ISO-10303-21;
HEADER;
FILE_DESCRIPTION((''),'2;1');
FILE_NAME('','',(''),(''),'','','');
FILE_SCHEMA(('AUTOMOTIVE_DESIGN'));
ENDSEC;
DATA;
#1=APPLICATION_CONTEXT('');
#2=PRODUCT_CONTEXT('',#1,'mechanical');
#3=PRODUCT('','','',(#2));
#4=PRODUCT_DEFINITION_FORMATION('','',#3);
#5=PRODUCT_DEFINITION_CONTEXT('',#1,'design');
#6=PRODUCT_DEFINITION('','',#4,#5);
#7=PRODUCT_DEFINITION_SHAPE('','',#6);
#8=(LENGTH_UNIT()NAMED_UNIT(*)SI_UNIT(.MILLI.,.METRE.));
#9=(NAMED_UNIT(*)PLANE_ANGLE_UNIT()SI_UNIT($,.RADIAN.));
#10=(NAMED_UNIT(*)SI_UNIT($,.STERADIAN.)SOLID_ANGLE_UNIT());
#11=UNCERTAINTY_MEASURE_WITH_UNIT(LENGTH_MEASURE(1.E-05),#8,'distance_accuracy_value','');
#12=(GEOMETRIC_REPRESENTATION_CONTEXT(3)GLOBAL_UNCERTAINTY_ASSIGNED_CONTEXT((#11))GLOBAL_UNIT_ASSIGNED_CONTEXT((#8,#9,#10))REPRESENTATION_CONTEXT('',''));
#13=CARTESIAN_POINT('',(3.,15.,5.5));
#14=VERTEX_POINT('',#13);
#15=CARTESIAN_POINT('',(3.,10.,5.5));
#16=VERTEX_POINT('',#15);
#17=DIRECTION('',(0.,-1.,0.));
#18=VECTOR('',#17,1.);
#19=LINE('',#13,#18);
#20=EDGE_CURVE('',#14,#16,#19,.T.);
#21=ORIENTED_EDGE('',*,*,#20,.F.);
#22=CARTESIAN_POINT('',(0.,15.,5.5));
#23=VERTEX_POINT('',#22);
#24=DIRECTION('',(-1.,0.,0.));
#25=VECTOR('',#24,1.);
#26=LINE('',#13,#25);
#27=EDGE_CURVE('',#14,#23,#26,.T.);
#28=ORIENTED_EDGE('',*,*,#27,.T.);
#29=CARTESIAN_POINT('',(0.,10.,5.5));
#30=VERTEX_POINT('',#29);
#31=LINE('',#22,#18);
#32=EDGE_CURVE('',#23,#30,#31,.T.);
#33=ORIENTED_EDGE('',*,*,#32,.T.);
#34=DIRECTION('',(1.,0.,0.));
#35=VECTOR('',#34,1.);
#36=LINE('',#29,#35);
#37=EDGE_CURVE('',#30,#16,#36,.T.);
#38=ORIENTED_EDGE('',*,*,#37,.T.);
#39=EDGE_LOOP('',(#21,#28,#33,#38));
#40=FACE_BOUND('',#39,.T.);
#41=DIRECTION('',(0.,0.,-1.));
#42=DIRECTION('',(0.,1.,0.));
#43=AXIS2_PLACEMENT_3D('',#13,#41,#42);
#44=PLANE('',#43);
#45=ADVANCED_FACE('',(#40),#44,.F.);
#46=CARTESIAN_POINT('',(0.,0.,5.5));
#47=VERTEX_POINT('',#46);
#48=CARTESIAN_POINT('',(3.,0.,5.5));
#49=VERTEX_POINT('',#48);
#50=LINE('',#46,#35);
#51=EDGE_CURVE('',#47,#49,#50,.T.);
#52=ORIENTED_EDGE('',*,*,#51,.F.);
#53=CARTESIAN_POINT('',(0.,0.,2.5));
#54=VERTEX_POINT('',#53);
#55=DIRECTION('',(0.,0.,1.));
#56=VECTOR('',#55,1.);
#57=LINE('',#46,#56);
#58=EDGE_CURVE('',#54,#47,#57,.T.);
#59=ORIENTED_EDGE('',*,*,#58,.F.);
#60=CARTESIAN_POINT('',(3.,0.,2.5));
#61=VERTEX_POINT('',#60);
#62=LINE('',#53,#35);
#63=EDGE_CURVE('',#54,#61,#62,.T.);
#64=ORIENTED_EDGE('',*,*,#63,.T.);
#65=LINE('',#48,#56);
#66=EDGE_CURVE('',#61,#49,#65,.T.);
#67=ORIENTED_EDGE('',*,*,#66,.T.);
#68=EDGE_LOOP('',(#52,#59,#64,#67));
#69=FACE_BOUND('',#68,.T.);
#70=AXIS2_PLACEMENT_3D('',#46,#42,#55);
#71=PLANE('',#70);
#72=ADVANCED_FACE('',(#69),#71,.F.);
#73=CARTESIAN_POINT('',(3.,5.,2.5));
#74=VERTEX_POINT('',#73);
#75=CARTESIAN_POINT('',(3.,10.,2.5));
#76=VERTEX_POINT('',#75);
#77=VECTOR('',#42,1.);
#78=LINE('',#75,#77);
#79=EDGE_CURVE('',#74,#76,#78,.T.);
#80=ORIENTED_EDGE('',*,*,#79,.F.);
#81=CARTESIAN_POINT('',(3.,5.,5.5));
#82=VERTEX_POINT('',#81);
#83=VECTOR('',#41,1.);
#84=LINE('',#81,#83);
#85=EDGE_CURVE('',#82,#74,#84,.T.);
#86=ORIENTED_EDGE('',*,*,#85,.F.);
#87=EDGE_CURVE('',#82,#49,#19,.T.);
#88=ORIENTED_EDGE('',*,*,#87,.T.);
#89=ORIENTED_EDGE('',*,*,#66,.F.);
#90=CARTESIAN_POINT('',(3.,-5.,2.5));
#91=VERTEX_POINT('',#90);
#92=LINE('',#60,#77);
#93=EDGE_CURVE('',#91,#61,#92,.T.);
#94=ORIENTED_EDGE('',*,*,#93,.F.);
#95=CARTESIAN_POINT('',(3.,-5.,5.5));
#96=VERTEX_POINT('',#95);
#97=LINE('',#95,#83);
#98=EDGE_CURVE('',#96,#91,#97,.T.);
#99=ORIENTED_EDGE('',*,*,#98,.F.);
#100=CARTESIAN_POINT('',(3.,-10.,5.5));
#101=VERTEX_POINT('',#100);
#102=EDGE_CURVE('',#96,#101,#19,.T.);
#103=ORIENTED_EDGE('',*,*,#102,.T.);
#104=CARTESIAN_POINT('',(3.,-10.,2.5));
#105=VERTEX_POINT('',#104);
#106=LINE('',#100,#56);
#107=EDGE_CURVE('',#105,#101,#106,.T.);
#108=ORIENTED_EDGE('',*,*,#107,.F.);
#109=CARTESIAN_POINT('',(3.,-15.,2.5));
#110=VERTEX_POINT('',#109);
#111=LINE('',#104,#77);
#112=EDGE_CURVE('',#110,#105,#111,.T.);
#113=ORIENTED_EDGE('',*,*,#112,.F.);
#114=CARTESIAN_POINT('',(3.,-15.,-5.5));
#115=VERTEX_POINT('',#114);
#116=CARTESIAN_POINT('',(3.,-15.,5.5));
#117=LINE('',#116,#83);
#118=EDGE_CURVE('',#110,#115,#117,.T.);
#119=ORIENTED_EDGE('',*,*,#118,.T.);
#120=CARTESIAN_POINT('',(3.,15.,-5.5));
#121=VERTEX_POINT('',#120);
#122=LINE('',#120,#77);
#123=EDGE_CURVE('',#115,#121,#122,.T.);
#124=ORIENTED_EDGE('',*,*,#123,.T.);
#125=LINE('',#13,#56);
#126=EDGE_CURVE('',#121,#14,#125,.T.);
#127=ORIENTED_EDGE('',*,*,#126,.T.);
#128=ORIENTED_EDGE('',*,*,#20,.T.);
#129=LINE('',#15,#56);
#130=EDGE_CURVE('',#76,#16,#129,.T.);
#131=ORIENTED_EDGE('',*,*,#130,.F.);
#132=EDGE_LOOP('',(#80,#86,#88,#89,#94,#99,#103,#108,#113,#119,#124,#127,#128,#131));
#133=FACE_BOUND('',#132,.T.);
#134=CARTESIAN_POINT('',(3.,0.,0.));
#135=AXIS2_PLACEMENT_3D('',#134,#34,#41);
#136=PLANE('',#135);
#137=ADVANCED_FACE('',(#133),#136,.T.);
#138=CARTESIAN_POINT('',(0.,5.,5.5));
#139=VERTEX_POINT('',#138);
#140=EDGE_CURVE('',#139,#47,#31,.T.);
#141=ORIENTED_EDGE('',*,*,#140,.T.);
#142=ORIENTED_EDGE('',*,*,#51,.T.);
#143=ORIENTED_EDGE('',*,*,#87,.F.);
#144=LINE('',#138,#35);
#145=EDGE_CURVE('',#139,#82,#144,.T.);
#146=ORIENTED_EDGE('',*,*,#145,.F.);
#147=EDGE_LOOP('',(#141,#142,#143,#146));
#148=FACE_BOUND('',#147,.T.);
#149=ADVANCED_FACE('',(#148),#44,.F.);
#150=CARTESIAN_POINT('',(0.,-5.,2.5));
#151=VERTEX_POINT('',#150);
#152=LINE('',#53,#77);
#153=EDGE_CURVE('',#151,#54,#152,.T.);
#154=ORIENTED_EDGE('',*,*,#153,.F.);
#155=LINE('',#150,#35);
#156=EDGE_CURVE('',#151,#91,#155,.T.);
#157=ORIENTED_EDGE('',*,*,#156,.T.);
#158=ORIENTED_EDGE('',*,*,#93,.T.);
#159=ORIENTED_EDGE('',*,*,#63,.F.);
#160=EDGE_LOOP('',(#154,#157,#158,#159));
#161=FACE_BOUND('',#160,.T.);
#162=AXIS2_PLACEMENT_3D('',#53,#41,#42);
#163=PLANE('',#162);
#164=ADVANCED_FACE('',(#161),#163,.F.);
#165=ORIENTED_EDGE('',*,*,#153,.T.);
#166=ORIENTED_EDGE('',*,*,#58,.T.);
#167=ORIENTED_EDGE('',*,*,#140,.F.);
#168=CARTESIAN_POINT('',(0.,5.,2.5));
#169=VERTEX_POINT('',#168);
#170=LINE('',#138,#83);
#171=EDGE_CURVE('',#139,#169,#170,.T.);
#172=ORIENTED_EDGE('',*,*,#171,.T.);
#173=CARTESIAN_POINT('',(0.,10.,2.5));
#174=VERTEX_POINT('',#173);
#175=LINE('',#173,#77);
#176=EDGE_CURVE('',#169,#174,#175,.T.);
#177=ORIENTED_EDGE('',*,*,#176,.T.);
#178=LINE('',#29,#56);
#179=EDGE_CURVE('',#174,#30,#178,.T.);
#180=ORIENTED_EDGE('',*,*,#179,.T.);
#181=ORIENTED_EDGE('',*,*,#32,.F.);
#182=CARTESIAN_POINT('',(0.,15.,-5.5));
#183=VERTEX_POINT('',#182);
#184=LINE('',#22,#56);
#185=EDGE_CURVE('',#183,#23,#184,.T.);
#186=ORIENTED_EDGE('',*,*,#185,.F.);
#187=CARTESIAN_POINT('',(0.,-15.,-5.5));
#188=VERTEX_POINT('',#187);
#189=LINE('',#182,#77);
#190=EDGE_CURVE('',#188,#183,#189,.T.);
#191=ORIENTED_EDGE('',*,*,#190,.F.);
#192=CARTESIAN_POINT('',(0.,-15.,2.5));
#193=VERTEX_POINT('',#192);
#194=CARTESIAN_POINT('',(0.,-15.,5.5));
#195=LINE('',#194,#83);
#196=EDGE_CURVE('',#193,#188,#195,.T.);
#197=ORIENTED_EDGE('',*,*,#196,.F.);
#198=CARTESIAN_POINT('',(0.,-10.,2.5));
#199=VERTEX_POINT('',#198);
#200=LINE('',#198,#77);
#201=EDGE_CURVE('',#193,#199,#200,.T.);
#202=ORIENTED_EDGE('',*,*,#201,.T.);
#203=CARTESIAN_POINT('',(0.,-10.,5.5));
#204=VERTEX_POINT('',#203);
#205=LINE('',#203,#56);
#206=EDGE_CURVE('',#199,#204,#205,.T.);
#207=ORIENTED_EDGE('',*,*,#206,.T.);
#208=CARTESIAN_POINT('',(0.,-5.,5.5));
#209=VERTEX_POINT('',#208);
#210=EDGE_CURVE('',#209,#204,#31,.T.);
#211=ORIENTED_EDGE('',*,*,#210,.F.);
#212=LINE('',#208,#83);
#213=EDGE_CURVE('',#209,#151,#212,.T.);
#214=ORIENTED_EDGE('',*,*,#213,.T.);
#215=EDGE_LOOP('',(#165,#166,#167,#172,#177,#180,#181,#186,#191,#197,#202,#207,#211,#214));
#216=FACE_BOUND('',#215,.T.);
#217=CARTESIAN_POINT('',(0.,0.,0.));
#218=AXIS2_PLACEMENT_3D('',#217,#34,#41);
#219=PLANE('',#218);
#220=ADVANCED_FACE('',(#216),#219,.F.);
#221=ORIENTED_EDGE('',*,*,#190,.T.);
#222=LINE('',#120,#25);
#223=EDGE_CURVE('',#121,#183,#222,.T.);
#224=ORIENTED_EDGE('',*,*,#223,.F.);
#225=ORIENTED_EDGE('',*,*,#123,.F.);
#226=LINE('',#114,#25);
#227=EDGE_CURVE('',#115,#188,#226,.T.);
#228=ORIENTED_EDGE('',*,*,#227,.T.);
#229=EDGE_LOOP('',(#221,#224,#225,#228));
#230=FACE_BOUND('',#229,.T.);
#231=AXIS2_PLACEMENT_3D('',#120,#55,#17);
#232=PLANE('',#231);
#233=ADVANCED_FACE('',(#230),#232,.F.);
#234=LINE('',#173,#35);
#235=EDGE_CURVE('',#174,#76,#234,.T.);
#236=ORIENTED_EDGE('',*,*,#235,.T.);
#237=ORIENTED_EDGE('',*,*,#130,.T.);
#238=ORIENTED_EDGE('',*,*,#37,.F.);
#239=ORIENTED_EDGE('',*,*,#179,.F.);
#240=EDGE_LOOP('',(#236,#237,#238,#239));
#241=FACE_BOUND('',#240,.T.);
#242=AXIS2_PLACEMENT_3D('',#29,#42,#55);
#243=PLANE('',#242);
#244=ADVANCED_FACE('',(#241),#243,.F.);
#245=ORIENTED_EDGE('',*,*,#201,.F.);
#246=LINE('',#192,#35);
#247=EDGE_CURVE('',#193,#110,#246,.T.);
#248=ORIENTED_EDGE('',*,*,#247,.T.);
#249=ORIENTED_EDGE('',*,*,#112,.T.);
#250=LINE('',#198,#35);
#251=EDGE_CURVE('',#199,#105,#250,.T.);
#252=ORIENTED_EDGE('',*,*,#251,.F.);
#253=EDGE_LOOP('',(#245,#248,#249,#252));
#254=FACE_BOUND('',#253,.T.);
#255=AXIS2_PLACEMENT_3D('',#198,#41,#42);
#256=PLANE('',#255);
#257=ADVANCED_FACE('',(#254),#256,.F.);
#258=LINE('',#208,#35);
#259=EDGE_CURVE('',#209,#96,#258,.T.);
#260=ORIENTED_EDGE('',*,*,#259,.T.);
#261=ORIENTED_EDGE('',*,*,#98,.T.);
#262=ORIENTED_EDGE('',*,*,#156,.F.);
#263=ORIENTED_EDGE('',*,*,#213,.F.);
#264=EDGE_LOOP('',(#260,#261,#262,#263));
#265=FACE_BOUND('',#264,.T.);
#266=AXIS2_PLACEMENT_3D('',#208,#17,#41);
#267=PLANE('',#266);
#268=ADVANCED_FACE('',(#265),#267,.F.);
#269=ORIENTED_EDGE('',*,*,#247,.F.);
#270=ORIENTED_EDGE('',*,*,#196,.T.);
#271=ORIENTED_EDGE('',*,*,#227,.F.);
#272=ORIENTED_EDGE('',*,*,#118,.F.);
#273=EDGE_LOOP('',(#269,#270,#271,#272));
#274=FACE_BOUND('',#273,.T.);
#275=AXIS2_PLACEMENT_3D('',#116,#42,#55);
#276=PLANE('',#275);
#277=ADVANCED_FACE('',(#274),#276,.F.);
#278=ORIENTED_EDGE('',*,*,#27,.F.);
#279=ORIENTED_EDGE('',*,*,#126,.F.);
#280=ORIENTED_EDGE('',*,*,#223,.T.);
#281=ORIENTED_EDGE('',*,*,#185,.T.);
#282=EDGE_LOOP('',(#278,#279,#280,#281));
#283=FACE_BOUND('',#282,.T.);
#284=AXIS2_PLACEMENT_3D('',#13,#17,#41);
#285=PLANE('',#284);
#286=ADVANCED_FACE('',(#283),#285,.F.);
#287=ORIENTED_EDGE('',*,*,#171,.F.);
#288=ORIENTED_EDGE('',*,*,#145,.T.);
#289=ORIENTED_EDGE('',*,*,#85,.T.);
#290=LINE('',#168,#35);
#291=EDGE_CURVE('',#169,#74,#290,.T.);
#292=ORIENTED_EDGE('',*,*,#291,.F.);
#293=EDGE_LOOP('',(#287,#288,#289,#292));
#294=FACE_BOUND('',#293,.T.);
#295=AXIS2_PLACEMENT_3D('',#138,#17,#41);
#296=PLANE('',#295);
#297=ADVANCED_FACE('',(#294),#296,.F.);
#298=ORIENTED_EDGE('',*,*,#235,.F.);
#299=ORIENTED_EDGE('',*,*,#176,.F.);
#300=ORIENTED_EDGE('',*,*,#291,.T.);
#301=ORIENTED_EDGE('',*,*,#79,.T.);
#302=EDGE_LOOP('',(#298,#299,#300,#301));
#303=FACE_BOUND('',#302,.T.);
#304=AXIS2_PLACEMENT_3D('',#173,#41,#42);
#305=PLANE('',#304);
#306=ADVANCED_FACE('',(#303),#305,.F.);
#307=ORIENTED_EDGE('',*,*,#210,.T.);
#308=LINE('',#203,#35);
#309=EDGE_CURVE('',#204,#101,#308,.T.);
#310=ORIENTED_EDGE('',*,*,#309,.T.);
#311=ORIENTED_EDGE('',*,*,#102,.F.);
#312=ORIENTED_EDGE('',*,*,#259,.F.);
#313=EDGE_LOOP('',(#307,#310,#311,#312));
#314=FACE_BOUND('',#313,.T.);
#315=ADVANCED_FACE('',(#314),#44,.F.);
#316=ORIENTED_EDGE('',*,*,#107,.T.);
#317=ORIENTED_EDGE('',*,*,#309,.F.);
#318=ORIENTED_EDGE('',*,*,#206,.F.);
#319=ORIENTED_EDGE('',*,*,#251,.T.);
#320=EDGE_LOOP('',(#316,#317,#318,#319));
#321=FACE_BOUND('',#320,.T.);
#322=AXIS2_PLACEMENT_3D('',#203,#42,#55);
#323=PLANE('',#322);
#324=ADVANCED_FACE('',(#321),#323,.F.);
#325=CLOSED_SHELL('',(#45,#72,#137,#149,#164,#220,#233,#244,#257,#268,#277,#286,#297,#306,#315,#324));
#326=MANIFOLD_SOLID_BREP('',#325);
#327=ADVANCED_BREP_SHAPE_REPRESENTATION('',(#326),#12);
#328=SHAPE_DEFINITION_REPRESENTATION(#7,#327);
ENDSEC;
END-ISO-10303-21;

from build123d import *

# Parameters (mm, degrees)
SKETCH1_W           = 11
SKETCH1_H           = 30
BOSS_EXTRUDE1_DEPTH = 3
SKETCH2_W           = 3
SKETCH2_H           = 5
CUT_EXTRUDE1_DEPTH  = 3


with BuildPart() as part:
    # Sketch1 → Boss-Extrude1 (new body)
    with BuildSketch(Plane(origin=(0, 0, 0), x_dir=(0, 0, -1), z_dir=(1, 0, 0))):
        Rectangle(SKETCH1_W, SKETCH1_H)
    extrude(amount=BOSS_EXTRUDE1_DEPTH)

    # Sketch2 → Cut-Extrude1 (cut)
    with BuildSketch(Plane(origin=(3, 0, 0), x_dir=(0, 0, -1), z_dir=(1, 0, 0))):
        with Locations((-4, -12.5)):
            Rectangle(SKETCH2_W, SKETCH2_H)
        with Locations((-4, 7.5)):
            Rectangle(SKETCH2_W, SKETCH2_H)
        with Locations((-4, -2.5)):
            Rectangle(SKETCH2_W, SKETCH2_H)
    extrude(amount=-CUT_EXTRUDE1_DEPTH, mode=Mode.SUBTRACT)


solid = part.part
